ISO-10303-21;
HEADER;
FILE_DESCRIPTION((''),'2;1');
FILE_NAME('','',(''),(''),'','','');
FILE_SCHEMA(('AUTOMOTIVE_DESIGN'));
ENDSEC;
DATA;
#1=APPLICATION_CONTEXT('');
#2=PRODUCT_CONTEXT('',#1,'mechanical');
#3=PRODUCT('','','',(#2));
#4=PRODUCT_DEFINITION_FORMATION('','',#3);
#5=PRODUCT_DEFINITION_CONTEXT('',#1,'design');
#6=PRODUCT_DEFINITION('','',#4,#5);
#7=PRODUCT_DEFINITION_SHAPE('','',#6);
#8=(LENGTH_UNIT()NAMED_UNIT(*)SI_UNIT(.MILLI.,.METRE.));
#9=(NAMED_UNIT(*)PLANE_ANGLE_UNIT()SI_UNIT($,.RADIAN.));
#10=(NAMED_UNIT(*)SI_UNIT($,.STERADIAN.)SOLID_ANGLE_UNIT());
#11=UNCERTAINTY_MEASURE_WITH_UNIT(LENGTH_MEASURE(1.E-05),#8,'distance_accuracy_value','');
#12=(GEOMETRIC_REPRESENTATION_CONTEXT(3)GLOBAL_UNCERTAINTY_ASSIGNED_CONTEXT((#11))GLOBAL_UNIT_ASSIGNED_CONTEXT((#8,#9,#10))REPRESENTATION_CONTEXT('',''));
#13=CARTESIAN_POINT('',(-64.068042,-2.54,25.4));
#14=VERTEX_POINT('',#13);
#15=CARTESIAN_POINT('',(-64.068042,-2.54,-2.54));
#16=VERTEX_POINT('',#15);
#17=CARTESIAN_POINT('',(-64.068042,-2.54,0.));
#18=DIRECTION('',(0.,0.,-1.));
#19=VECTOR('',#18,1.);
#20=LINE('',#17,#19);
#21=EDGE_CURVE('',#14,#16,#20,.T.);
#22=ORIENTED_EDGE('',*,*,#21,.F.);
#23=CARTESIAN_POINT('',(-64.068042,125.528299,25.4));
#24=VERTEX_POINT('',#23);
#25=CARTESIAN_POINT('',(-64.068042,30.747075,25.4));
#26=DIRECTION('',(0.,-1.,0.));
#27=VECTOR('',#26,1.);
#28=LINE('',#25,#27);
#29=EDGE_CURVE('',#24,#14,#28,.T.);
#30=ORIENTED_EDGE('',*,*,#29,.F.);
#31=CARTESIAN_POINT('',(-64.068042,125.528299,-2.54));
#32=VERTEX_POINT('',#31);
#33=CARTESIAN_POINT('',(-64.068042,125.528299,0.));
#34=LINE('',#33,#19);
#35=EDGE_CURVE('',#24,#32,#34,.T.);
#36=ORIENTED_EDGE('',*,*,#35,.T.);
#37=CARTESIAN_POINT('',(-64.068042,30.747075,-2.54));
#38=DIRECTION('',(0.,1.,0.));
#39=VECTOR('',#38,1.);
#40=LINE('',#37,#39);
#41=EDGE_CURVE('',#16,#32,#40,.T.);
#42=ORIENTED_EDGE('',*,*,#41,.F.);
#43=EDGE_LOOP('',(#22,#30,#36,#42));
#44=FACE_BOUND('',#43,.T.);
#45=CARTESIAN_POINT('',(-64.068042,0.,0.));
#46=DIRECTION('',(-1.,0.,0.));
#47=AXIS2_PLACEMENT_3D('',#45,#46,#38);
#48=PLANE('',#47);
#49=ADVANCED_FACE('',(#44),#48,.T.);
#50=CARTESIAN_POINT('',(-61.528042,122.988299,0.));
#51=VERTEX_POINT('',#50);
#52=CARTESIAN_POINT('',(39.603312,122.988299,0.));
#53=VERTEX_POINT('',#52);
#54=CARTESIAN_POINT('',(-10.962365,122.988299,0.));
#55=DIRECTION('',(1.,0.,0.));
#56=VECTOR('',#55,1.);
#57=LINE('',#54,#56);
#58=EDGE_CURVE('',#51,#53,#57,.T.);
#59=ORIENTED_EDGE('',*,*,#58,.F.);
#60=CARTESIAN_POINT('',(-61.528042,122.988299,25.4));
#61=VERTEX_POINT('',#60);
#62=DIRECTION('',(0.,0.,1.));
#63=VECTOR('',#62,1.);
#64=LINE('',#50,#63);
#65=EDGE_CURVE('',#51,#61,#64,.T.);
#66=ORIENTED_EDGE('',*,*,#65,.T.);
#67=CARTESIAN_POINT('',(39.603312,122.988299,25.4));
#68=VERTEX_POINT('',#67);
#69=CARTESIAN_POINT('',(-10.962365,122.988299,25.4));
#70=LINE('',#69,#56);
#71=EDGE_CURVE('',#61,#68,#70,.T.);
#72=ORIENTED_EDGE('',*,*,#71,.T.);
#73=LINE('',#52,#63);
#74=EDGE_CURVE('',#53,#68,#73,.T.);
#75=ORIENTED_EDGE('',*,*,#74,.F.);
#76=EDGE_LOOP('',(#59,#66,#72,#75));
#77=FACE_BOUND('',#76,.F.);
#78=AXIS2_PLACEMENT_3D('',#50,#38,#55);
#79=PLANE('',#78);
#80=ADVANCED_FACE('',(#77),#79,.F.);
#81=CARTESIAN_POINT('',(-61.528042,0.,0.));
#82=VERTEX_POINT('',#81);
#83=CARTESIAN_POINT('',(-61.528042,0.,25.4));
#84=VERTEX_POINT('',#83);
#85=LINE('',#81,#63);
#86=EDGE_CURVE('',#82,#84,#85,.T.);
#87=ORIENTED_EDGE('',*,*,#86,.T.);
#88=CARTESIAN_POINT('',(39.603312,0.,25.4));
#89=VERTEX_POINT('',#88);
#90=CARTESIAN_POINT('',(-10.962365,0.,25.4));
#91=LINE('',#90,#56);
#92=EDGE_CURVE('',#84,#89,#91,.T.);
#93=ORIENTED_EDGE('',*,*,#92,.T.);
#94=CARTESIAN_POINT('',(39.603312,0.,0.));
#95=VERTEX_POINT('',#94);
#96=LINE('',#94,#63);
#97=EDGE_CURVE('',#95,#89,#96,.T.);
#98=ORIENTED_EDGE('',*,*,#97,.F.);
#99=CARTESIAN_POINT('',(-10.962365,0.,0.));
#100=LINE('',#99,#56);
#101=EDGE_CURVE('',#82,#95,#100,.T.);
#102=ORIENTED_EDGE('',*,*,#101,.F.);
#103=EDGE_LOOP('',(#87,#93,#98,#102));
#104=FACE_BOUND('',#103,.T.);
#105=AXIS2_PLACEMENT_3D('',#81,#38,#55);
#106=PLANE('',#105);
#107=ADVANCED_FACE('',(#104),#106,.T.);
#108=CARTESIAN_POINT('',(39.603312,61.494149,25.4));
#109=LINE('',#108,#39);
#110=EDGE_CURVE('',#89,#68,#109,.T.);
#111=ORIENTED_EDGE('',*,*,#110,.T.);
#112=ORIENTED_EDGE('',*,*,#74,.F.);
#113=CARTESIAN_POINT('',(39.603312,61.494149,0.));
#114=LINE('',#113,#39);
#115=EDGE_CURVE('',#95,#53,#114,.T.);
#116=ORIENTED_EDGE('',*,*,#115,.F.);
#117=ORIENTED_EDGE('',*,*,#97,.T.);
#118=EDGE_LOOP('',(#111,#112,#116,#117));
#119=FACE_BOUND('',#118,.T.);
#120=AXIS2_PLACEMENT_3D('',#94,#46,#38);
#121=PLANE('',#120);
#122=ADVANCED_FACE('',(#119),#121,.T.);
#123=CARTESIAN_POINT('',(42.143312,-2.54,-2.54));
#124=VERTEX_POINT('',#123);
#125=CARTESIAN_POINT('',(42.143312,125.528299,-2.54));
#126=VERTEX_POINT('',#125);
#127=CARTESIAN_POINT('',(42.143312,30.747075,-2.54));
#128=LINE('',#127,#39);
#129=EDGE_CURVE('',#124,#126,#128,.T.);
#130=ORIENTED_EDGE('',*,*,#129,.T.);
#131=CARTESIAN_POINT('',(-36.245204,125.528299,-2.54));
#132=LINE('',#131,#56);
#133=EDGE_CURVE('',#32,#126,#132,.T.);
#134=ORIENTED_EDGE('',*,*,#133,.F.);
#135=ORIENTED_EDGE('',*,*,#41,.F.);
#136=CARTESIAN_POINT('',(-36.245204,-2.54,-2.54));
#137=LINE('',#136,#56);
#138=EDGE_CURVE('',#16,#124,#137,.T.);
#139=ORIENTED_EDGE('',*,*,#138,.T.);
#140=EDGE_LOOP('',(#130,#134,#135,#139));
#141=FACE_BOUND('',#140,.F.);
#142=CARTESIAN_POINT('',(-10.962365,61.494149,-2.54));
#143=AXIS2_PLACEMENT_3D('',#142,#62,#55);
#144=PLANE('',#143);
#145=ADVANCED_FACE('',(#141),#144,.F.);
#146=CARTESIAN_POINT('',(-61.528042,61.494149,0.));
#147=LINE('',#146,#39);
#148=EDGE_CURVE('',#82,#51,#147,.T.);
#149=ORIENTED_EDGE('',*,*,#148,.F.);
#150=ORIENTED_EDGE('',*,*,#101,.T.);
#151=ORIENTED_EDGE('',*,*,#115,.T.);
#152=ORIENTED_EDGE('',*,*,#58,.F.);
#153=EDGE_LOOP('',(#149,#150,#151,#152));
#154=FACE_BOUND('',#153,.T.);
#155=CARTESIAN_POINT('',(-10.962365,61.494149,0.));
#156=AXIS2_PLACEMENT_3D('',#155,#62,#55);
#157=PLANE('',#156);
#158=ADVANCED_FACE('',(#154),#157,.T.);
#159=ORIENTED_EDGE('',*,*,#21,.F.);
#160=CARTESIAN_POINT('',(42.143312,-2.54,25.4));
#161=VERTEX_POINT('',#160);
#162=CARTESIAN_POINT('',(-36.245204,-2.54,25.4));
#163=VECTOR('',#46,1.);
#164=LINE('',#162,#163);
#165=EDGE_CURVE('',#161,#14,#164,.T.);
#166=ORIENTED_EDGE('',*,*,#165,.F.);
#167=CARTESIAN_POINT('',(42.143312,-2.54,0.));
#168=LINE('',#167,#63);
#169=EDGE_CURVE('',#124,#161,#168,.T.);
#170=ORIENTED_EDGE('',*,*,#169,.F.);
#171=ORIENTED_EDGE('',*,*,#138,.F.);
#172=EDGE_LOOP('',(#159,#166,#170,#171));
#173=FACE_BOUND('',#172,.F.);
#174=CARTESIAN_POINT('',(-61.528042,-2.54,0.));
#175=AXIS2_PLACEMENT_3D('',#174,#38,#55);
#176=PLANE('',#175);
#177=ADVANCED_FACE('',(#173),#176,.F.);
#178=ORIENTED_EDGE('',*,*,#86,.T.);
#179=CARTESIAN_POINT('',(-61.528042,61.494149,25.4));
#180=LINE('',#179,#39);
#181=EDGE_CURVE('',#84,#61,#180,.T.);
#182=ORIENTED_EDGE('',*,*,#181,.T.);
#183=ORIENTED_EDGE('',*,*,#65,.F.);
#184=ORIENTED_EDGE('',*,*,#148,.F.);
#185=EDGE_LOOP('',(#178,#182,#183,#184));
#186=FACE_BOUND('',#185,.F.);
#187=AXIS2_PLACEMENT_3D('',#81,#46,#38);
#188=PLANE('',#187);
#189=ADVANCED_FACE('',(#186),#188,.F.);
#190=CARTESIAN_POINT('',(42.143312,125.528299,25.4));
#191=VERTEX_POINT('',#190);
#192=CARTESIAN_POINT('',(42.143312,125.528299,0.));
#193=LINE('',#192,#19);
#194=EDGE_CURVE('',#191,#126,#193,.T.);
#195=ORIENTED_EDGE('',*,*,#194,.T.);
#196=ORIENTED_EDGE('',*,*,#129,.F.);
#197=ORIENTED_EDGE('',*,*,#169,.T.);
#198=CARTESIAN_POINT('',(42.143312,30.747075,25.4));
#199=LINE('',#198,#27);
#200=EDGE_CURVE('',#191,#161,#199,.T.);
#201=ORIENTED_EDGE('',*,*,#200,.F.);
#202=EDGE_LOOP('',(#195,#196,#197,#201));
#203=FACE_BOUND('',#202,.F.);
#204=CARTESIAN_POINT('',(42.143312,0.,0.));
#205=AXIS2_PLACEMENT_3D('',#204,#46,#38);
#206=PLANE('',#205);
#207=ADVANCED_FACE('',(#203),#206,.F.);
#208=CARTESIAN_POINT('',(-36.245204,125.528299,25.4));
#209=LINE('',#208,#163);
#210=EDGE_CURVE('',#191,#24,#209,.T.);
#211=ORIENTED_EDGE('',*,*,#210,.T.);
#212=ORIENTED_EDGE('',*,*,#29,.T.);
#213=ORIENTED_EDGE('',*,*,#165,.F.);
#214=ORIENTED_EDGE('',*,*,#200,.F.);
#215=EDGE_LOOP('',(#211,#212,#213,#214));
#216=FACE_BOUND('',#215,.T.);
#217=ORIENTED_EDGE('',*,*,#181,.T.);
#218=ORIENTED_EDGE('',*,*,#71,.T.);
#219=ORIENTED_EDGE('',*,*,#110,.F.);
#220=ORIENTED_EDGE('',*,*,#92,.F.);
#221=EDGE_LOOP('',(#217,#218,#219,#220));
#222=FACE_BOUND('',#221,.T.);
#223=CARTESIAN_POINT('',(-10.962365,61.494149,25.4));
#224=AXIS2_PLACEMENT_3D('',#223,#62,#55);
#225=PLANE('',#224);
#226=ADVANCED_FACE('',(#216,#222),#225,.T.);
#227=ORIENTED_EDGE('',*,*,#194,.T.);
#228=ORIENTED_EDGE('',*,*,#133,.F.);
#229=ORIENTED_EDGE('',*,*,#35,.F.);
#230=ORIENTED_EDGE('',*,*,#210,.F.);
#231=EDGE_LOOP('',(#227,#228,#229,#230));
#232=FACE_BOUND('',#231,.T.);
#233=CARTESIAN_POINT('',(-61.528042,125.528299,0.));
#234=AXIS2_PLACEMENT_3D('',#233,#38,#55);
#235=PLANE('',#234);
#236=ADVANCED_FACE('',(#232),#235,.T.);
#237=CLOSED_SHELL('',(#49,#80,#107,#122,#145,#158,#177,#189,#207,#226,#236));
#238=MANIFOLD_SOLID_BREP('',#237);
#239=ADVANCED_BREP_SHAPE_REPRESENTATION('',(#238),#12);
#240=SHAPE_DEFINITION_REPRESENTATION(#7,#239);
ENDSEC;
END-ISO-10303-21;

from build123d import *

# Parameters (mm, degrees)
F0_W     = 111.9927763939
F0_H     = 27.0903408527
F1_DEPTH = 25.4
F0_W_2   = 101.1313535273
F0_H_2   = 122.9882985353
F3_T     = 2.54


with BuildPart() as f1:
    # F0 (on Top) → F1 (new body)
    with BuildSketch(Plane.XY):
        with Locations((-55.9963881969, 277.6345461607)):
            Rectangle(F0_W, F0_H)
    extrude(amount=F1_DEPTH)


with BuildPart() as f1b:
    # F0 (on Top) → F1, piece 2 (new body)
    with BuildSketch(Plane.XY):
        with Locations((-10.9623651952, 61.4941492677)):
            Rectangle(F0_W_2, F0_H_2)
    extrude(amount=F1_DEPTH)

    # F3
    f3_openings = [f1b.faces().sort_by_distance(p)[0] for p in [
        (-10.962365, 61.494149, 25.4),
    ]]
    offset(amount=F3_T, openings=f3_openings, kind=Kind.INTERSECTION)


solid = f1b.part
